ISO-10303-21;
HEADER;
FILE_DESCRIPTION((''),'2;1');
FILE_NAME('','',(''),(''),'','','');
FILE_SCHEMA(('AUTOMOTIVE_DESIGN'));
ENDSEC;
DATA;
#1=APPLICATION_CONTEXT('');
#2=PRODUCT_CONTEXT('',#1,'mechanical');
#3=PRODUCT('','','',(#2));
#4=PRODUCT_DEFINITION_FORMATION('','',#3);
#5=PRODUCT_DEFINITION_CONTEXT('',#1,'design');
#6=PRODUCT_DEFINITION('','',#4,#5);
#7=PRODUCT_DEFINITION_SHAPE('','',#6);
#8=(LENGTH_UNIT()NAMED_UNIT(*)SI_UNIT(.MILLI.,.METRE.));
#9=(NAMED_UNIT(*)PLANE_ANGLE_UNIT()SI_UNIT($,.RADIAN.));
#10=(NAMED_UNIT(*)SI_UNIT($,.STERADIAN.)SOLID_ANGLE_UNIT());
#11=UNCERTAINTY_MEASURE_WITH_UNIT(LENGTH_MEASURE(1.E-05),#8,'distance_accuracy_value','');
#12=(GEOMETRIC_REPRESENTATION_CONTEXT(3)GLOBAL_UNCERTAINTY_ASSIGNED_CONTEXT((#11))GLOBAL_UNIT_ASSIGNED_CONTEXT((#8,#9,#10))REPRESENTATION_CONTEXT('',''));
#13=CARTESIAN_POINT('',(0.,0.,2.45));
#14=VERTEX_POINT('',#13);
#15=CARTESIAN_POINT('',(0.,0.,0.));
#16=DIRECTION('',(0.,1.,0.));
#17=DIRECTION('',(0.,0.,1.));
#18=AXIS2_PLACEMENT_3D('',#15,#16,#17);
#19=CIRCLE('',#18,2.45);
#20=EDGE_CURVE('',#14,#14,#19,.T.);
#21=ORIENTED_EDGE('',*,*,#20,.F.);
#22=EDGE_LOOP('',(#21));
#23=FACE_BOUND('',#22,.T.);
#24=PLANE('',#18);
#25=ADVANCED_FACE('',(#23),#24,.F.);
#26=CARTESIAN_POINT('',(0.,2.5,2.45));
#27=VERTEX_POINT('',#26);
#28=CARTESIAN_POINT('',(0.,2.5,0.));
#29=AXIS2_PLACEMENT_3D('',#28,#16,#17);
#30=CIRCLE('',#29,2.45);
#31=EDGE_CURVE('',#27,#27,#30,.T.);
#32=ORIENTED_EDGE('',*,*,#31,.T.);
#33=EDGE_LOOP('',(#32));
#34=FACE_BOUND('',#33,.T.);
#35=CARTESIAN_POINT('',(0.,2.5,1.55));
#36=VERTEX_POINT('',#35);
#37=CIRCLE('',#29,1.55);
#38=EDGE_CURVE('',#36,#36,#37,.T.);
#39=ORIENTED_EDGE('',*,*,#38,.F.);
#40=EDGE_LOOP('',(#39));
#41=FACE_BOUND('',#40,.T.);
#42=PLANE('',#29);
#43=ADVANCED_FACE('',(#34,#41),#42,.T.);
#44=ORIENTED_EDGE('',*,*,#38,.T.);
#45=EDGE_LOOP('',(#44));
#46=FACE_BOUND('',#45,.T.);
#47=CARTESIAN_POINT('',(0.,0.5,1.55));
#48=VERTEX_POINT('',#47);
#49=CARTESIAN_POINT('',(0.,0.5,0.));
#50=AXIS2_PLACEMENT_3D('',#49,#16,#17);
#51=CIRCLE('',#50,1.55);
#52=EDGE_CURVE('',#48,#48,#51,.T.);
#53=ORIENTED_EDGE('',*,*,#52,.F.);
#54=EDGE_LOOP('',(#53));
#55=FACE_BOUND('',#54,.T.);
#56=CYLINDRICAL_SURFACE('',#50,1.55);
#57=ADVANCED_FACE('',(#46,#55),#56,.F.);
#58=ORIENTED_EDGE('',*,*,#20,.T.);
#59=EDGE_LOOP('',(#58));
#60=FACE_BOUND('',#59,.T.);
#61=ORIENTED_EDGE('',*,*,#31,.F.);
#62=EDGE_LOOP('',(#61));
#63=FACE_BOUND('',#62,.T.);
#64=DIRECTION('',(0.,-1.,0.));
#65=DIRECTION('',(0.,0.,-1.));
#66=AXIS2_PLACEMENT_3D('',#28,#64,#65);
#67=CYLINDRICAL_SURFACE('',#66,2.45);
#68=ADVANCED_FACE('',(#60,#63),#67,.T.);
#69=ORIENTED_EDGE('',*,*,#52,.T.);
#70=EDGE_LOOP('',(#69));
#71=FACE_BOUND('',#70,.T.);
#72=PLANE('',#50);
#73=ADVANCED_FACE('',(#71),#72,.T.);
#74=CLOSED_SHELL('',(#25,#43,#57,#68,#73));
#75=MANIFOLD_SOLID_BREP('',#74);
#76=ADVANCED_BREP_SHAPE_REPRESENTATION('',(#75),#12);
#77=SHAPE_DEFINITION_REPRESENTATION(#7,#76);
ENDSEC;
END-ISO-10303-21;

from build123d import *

# Parameters (mm, degrees)
SKETCH1_R           = 2.45
BOSS_EXTRUDE1_DEPTH = 2.5
SKETCH2_R           = 1.55
CUT_EXTRUDE1_DEPTH  = 2


with BuildPart() as part:
    # Sketch1 → Boss-Extrude1 (new body)
    with BuildSketch(Plane(origin=(0, 0, 0), x_dir=(1, 0, 0), z_dir=(0, 1, 0))):
        with Locations(Location((0, 0, 0), (0, 0, 270))):
            Circle(SKETCH1_R)
    extrude(amount=BOSS_EXTRUDE1_DEPTH)

    # Sketch2 → Cut-Extrude1 (cut)
    with BuildSketch(Plane(origin=(0, 2.5, 0), x_dir=(1, 0, 0), z_dir=(0, 1, 0))):
        with Locations(Location((0, 0, 0), (0, 0, 270))):
            Circle(SKETCH2_R)
    extrude(amount=-CUT_EXTRUDE1_DEPTH, mode=Mode.SUBTRACT)


solid = part.part
